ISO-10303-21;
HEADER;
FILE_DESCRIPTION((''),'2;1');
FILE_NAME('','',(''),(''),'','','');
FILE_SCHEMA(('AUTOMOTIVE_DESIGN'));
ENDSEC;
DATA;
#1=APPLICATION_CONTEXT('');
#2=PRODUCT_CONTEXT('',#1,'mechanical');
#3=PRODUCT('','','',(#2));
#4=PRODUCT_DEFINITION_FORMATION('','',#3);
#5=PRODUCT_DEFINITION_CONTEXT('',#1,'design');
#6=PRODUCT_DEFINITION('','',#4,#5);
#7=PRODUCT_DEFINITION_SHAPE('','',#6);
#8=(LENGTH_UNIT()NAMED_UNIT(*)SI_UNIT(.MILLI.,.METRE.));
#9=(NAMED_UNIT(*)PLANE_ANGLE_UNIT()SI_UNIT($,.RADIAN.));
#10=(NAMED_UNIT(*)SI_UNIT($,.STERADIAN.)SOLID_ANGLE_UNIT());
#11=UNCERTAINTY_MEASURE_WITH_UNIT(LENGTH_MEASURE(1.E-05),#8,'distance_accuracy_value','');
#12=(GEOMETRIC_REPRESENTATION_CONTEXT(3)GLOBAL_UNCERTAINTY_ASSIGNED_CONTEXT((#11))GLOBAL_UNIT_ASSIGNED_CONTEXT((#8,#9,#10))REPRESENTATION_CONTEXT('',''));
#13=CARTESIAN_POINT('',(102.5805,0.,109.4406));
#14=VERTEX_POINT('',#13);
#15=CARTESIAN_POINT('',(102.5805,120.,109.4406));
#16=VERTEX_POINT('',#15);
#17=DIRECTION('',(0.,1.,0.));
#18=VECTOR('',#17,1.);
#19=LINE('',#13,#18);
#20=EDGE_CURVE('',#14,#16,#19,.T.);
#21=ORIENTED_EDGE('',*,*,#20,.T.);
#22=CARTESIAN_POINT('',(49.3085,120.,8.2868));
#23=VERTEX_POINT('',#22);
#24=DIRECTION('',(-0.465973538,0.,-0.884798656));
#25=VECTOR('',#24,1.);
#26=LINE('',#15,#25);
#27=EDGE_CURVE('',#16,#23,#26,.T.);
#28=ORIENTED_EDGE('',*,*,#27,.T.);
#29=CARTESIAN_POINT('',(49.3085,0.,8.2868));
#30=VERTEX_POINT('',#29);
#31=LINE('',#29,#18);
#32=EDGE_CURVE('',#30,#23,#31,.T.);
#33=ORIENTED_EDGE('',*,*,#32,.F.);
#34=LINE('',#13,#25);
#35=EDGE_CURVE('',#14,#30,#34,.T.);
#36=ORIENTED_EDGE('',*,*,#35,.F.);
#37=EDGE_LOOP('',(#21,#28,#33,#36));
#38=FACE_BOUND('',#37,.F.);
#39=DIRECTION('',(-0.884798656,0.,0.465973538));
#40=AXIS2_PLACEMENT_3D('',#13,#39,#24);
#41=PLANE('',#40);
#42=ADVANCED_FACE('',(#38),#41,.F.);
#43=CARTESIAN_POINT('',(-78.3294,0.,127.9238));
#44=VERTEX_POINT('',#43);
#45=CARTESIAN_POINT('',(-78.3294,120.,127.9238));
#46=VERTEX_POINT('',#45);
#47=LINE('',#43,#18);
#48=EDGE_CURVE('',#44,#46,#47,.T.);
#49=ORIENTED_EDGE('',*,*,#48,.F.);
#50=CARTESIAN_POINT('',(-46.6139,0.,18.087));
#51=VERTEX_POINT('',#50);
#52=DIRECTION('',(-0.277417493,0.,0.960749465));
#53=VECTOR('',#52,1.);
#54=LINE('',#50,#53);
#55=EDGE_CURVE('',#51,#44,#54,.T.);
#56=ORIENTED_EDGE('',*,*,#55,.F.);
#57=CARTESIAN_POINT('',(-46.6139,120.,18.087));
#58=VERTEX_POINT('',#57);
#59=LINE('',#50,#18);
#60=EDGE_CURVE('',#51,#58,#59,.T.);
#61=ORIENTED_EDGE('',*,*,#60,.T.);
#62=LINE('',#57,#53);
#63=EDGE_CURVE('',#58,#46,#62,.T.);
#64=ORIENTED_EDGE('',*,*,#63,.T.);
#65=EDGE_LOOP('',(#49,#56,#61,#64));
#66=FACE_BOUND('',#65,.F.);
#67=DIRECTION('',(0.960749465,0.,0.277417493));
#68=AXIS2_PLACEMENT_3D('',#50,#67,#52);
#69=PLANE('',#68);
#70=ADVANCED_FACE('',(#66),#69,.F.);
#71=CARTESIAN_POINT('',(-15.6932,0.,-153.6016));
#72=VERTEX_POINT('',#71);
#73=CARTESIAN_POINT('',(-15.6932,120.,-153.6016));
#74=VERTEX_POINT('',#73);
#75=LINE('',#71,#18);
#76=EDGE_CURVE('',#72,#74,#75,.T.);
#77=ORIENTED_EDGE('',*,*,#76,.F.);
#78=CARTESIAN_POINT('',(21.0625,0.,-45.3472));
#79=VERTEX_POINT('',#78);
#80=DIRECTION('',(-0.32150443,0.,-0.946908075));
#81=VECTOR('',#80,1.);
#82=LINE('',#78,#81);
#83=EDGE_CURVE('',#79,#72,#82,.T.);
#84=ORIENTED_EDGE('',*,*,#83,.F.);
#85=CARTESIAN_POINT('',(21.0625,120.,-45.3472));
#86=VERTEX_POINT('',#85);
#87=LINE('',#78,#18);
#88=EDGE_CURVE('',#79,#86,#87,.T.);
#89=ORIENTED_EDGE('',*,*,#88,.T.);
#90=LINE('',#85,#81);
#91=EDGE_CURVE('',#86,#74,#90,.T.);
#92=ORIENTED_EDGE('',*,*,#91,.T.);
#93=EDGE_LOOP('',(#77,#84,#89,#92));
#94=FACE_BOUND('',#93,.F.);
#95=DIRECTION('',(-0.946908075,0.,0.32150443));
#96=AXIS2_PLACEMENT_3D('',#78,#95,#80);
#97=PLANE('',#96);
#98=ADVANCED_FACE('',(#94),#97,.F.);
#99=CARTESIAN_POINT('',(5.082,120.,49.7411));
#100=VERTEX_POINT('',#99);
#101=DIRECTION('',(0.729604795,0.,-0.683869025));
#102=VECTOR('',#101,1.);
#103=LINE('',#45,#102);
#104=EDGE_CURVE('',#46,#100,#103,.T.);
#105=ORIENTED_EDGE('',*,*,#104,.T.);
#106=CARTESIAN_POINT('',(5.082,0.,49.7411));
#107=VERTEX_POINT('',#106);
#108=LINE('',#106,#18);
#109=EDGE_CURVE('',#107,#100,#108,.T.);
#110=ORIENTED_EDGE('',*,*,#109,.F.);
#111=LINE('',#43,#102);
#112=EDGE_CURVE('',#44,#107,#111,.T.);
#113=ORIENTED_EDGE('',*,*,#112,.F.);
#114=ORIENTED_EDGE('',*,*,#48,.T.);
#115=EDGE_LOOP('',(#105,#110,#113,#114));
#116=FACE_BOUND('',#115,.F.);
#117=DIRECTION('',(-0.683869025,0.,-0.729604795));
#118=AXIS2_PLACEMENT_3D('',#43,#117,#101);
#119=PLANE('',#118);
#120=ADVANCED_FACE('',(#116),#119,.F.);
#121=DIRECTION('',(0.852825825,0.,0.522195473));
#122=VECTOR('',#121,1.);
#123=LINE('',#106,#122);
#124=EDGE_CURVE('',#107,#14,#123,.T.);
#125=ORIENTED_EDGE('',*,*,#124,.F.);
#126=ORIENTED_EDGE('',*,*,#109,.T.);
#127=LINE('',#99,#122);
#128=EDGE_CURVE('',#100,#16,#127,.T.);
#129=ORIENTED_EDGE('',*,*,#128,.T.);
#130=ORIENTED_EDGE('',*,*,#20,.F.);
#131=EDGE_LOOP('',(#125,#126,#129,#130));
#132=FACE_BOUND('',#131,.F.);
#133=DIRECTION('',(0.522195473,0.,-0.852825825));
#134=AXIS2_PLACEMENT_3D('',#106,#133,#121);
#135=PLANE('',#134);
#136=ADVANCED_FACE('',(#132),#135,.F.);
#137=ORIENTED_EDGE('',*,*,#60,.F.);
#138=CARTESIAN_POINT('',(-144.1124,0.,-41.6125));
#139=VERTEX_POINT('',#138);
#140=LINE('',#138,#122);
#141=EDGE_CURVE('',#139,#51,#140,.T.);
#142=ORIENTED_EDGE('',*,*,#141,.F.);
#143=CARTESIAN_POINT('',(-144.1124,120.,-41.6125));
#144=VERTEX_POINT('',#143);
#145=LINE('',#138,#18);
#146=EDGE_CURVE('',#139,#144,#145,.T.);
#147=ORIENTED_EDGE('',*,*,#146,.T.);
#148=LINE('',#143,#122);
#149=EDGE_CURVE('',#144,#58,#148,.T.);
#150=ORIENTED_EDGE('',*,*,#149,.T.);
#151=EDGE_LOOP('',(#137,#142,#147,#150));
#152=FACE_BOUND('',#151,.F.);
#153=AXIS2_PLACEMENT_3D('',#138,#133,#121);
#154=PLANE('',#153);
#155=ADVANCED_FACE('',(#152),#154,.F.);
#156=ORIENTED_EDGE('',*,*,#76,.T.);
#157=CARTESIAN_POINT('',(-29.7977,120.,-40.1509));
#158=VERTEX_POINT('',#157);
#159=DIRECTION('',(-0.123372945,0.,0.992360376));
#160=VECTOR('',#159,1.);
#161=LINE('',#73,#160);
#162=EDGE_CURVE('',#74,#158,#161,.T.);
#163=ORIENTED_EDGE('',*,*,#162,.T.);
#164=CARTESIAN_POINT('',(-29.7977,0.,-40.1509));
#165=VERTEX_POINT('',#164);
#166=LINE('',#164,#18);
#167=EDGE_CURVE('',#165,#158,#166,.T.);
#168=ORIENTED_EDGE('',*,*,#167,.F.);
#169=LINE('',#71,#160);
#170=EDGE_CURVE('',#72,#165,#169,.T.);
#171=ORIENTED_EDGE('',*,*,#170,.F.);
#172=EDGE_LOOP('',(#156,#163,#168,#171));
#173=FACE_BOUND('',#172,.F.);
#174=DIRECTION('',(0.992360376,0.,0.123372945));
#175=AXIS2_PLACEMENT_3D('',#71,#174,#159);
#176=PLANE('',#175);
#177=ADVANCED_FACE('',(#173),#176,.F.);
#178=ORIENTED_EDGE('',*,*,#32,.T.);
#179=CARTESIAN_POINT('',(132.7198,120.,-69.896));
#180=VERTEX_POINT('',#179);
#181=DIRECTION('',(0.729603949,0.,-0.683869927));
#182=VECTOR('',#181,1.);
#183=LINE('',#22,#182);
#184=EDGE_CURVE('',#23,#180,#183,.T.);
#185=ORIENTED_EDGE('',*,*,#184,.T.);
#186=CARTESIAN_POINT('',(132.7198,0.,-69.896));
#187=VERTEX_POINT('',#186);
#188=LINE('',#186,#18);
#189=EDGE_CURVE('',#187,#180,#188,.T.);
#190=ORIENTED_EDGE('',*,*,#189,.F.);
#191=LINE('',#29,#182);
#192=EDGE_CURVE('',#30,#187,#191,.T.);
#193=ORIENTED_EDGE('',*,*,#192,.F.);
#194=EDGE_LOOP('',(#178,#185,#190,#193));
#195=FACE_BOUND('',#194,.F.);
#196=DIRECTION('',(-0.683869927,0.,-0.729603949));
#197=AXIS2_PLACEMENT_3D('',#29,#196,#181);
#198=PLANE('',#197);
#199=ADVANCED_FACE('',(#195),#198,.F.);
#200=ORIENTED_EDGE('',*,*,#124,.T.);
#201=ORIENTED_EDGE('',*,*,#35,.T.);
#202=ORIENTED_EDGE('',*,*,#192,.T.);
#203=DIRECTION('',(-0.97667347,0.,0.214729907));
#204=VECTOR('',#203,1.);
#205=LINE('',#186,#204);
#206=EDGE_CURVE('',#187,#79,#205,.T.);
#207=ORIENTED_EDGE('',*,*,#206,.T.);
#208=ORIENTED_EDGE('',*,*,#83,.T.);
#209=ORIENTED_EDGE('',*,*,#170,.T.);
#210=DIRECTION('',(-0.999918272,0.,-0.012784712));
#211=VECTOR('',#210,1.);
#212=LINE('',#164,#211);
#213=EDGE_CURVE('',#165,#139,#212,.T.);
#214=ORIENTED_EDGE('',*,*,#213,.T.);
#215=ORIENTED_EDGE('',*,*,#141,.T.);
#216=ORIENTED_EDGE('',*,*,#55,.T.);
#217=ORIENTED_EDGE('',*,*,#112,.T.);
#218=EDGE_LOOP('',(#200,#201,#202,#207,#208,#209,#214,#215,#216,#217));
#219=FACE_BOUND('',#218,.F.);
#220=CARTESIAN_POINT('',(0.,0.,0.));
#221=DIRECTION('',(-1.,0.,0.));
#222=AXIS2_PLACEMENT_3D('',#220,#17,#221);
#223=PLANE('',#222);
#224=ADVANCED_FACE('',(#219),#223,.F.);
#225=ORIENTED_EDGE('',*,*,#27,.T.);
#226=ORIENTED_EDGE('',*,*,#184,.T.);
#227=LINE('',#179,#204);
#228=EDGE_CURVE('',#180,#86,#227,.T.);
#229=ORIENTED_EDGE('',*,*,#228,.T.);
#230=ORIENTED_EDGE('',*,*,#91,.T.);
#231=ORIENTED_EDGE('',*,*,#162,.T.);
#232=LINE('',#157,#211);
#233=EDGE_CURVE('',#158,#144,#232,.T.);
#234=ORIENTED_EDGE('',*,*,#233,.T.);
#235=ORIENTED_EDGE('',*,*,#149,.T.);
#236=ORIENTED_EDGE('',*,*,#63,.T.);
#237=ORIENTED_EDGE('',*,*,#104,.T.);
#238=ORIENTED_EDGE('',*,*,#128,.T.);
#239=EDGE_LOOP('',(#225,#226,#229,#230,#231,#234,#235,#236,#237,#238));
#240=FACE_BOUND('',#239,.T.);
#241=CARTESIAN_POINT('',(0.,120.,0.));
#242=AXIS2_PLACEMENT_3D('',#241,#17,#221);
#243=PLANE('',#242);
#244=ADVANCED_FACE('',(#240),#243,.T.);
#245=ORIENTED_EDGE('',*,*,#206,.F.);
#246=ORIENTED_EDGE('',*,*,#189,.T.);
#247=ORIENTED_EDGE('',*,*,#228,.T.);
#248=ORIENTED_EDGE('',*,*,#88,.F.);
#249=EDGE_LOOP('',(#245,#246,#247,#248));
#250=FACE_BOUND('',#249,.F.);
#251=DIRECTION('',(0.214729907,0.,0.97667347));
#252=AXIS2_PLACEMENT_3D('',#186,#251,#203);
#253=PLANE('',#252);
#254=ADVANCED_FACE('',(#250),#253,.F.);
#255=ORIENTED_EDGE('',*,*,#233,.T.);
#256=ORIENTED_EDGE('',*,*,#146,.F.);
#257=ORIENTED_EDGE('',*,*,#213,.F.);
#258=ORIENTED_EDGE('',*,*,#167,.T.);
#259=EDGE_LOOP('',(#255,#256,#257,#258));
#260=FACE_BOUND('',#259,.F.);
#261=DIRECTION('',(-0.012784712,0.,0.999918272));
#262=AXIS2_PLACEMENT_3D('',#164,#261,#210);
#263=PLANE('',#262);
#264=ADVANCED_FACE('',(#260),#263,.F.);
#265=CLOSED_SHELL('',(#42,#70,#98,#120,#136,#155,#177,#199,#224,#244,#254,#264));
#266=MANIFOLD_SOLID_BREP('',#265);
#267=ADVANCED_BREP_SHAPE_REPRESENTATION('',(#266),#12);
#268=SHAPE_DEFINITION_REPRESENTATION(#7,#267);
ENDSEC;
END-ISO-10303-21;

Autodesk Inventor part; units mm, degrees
ref_plane "YZ Plane" through (0, 0, 0) normal (1, 0, 0) x (0, 1, 0)
ref_plane "XZ Plane" through (0, 0, 0) normal (0, 1, 0) x (-1, 0, 0)
ref_plane "XY Plane" through (0, 0, 0) normal (0, 0, 1) x (1, 0, 0)
sketch "Sketch1" plane through (0, 0, 0) normal (0, 1, 0) x (-1, 0, 0)
  line L0 (144.1124, -41.6125) -> (46.6139, 18.087)
  line L1 (46.6139, 18.087) -> (78.3294, 127.9238)
  line L2 (78.3294, 127.9238) -> (-5.082, 49.7411)
  line L3 (-5.082, 49.7411) -> (-102.5805, 109.4406)
  line L4 (-102.5805, 109.4406) -> (-49.3085, 8.2868)
  line L5 (-49.3085, 8.2868) -> (-132.7198, -69.896)
  line L6 (-132.7198, -69.896) -> (-21.0625, -45.3472)
  line L7 (-21.0625, -45.3472) -> (15.6932, -153.6016)
  line L8 (15.6932, -153.6016) -> (29.7977, -40.1509)
  line L9 (29.7977, -40.1509) -> (144.1124, -41.6125)
  point P0 (0, 0)
  dimension "d1" = 150
extrude "Extrusion1" add sketch "Sketch1" along normal blind 120
properties part number "star"
